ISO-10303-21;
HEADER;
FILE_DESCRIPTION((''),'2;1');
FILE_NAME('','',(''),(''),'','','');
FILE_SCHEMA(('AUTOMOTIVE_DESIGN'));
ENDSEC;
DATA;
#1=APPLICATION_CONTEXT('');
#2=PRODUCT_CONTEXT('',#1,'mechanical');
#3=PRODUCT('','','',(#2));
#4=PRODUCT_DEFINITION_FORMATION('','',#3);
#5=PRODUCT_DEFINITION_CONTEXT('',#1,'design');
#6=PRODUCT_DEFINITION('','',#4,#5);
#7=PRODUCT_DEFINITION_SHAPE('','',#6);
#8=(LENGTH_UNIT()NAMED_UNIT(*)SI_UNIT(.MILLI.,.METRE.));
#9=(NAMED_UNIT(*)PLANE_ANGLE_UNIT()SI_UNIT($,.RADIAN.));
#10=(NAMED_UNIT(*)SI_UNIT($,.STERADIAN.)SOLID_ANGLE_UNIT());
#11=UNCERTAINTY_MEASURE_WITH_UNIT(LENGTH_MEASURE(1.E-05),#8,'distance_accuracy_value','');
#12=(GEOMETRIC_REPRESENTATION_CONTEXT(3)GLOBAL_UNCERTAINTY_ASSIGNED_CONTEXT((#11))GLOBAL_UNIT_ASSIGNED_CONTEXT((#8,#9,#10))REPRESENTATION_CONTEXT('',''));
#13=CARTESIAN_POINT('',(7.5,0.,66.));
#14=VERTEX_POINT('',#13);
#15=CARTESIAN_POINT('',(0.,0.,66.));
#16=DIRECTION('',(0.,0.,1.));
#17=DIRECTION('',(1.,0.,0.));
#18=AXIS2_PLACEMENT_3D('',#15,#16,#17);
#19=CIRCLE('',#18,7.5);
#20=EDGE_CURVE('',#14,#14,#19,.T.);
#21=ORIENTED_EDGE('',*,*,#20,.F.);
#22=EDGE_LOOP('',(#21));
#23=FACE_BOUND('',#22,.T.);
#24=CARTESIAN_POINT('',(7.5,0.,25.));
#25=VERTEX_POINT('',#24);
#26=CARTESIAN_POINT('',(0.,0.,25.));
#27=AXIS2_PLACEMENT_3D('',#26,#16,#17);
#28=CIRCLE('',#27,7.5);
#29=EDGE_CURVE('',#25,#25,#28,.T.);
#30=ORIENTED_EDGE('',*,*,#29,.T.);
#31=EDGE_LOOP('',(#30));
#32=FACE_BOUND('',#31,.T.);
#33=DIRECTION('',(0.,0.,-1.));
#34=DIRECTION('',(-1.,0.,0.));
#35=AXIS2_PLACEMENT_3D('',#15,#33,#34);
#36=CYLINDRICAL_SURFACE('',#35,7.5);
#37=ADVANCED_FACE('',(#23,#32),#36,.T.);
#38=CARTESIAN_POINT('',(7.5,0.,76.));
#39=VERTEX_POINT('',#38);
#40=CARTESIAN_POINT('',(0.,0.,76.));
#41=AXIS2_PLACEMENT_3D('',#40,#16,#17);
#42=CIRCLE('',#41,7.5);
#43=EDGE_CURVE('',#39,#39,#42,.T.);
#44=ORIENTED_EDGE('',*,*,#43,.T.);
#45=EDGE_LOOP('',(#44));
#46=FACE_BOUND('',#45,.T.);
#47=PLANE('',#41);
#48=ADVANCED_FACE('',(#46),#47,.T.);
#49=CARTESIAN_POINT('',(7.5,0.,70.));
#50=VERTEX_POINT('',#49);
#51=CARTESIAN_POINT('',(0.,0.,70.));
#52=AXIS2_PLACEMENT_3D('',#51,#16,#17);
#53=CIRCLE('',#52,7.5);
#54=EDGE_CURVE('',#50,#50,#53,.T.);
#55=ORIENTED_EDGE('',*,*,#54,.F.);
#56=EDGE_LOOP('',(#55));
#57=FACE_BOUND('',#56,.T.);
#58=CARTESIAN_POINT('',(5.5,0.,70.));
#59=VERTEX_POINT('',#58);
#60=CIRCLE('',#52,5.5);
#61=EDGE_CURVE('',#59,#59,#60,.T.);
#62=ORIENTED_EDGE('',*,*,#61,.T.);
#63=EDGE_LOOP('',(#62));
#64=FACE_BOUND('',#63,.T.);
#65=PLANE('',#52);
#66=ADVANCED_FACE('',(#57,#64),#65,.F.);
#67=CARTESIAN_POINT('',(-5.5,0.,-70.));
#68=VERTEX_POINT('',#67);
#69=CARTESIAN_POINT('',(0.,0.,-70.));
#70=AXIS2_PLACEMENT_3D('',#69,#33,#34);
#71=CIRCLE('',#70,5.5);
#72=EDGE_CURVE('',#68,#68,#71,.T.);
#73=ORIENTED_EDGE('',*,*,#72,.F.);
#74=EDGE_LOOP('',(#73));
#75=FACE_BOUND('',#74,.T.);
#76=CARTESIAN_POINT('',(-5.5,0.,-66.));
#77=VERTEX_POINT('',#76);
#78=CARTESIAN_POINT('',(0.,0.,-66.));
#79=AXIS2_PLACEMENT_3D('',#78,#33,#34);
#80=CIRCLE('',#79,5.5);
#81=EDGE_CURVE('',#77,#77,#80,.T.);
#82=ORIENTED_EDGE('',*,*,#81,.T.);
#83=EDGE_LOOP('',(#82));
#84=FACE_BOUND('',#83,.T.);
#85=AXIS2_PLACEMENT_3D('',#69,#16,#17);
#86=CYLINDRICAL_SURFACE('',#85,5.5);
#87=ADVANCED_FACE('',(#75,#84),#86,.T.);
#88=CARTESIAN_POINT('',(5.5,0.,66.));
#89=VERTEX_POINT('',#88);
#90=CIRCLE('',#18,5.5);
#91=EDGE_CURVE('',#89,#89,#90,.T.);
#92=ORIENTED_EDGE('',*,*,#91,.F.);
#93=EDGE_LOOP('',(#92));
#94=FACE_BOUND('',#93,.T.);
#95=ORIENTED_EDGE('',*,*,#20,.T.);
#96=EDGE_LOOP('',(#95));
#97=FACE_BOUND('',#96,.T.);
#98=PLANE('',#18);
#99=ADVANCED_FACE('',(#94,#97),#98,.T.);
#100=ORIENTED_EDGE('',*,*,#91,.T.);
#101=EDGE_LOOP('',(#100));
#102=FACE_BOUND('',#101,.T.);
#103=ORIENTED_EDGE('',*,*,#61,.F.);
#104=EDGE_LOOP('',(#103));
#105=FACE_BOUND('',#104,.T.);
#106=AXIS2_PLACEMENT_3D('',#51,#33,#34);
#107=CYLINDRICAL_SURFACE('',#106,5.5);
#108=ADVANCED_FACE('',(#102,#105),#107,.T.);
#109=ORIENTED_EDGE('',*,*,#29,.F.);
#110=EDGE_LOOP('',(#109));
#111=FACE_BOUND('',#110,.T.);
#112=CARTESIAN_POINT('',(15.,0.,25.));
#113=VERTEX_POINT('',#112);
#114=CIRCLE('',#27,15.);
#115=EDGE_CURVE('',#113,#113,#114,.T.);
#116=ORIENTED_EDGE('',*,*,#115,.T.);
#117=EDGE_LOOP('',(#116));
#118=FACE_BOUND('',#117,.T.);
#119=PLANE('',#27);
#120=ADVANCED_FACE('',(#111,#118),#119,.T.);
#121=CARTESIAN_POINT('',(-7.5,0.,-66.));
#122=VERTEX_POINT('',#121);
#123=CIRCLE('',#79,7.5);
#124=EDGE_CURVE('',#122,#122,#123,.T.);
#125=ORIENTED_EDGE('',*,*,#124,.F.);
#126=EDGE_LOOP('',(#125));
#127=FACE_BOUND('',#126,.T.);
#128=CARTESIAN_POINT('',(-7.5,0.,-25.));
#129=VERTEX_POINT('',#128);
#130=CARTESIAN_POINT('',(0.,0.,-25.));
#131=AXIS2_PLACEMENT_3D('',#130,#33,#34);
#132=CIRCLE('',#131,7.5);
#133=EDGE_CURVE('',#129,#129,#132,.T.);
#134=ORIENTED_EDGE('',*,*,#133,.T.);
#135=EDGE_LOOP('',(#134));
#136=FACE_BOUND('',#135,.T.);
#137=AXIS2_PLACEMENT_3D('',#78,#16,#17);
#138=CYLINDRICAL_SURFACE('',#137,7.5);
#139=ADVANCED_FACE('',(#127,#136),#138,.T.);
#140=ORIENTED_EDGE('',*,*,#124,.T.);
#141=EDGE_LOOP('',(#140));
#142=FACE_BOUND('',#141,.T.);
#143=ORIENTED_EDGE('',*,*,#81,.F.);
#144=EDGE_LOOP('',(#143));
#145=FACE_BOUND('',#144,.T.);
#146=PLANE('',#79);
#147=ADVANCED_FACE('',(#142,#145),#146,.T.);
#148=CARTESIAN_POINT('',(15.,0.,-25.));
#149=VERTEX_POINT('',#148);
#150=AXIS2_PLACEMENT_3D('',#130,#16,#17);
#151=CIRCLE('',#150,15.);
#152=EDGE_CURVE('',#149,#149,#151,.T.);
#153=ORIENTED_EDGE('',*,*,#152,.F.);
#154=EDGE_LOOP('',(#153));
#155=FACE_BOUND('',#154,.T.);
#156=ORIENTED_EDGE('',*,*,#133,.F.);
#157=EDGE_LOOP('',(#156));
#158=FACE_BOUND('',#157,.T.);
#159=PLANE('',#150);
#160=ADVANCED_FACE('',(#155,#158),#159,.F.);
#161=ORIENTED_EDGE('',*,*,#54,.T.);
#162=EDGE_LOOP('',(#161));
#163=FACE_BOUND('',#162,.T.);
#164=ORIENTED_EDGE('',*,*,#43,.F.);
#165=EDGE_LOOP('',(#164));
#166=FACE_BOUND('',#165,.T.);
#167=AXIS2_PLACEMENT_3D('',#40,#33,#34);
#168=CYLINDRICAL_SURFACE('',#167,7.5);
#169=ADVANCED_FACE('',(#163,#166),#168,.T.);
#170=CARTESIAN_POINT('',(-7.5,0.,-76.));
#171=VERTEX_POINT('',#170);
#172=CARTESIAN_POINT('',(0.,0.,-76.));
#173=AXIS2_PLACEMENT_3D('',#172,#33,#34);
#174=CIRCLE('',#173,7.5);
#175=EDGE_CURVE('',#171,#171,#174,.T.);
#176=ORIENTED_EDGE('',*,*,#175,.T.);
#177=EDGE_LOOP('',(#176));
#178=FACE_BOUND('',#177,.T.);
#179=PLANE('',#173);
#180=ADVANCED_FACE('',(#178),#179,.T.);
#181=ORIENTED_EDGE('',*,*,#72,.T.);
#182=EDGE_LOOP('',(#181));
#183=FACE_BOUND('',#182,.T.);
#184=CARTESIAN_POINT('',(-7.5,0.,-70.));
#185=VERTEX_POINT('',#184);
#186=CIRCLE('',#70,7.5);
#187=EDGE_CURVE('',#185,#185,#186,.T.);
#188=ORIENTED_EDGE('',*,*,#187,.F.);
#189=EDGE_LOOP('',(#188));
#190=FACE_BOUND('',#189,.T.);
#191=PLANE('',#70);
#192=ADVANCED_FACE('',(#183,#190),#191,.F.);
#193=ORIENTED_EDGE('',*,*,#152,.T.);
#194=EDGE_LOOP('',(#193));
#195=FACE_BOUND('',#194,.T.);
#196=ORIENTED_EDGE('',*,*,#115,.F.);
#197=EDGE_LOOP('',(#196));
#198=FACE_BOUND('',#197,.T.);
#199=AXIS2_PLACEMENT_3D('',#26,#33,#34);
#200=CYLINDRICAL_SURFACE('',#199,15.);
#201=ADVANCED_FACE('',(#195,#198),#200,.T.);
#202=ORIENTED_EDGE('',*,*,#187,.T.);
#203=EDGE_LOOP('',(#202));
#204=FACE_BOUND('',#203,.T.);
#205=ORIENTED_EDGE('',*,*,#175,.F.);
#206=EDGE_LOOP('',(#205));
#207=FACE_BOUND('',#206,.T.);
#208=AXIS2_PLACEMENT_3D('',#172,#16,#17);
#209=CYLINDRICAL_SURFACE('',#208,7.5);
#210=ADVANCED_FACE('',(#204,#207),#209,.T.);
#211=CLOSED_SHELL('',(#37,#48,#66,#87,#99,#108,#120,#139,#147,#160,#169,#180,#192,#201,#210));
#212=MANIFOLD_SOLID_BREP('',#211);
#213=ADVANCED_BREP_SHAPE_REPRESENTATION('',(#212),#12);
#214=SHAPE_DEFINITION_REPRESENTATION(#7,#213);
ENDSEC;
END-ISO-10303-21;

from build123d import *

# Parameters (mm, degrees)
IZIM1_R                     = 15
Y_KSEKLIK_EKSTR_ZYON1_DEPTH = 25
IZIM2_R                     = 7.5
Y_KSEKLIK_EKSTR_ZYON2_DEPTH = 41
IZIM3_R                     = 5.5
Y_KSEKLIK_EKSTR_ZYON3_DEPTH = 4
IZIM4_R                     = 7.5
Y_KSEKLIK_EKSTR_ZYON4_DEPTH = 6
Y_KSEKLIK_EKSTR_ZYON5_START = 41
IZIM6_R                     = 7.5
Y_KSEKLIK_EKSTR_ZYON5_DEPTH = 41
Y_KSEKLIK_EKSTR_ZYON6_START = 4
IZIM7_R                     = 5.5
Y_KSEKLIK_EKSTR_ZYON6_DEPTH = 4
Y_KSEKLIK_EKSTR_ZYON7_START = 6
IZIM8_R                     = 7.5
Y_KSEKLIK_EKSTR_ZYON7_DEPTH = 6


with BuildPart() as part:
    # Çizim1 → Yükseklik-Ekstrüzyon1 (new, symmetric)
    with BuildSketch(Plane.XY):
        Circle(IZIM1_R)
    extrude(amount=Y_KSEKLIK_EKSTR_ZYON1_DEPTH, both=True)

    # Çizim2 → Yükseklik-Ekstrüzyon2 (add)
    with BuildSketch(Plane.XY.offset(25)):
        Circle(IZIM2_R)
    extrude(amount=Y_KSEKLIK_EKSTR_ZYON2_DEPTH)

    # Çizim3 → Yükseklik-Ekstrüzyon3 (add)
    with BuildSketch(Plane.XY.offset(66)):
        Circle(IZIM3_R)
    extrude(amount=Y_KSEKLIK_EKSTR_ZYON3_DEPTH)

    # Çizim4 → Yükseklik-Ekstrüzyon4 (add)
    with BuildSketch(Plane.XY.offset(70)):
        Circle(IZIM4_R)
    extrude(amount=Y_KSEKLIK_EKSTR_ZYON4_DEPTH)

    # Çizim6 → Yükseklik-Ekstrüzyon5 (add)
    with BuildSketch(Plane(origin=(0, 0, -25), x_dir=(-1, 0, 0), z_dir=(0, 0, -1)).offset(Y_KSEKLIK_EKSTR_ZYON5_START)):
        with Locations(Location((0, 0, 0), (0, 0, 180))):
            Circle(IZIM6_R)
    extrude(amount=-Y_KSEKLIK_EKSTR_ZYON5_DEPTH)

    # Çizim7 → Yükseklik-Ekstrüzyon6 (add)
    with BuildSketch(Plane(origin=(0, 0, -66), x_dir=(-1, 0, 0), z_dir=(0, 0, -1)).offset(Y_KSEKLIK_EKSTR_ZYON6_START)):
        with Locations(Location((0, 0, 0), (0, 0, 180))):
            Circle(IZIM7_R)
    extrude(amount=-Y_KSEKLIK_EKSTR_ZYON6_DEPTH)

    # Çizim8 → Yükseklik-Ekstrüzyon7 (add)
    with BuildSketch(Plane(origin=(0, 0, -70), x_dir=(-1, 0, 0), z_dir=(0, 0, -1)).offset(Y_KSEKLIK_EKSTR_ZYON7_START)):
        with Locations(Location((0, 0, 0), (0, 0, 180))):
            Circle(IZIM8_R)
    extrude(amount=-Y_KSEKLIK_EKSTR_ZYON7_DEPTH)


solid = part.part
